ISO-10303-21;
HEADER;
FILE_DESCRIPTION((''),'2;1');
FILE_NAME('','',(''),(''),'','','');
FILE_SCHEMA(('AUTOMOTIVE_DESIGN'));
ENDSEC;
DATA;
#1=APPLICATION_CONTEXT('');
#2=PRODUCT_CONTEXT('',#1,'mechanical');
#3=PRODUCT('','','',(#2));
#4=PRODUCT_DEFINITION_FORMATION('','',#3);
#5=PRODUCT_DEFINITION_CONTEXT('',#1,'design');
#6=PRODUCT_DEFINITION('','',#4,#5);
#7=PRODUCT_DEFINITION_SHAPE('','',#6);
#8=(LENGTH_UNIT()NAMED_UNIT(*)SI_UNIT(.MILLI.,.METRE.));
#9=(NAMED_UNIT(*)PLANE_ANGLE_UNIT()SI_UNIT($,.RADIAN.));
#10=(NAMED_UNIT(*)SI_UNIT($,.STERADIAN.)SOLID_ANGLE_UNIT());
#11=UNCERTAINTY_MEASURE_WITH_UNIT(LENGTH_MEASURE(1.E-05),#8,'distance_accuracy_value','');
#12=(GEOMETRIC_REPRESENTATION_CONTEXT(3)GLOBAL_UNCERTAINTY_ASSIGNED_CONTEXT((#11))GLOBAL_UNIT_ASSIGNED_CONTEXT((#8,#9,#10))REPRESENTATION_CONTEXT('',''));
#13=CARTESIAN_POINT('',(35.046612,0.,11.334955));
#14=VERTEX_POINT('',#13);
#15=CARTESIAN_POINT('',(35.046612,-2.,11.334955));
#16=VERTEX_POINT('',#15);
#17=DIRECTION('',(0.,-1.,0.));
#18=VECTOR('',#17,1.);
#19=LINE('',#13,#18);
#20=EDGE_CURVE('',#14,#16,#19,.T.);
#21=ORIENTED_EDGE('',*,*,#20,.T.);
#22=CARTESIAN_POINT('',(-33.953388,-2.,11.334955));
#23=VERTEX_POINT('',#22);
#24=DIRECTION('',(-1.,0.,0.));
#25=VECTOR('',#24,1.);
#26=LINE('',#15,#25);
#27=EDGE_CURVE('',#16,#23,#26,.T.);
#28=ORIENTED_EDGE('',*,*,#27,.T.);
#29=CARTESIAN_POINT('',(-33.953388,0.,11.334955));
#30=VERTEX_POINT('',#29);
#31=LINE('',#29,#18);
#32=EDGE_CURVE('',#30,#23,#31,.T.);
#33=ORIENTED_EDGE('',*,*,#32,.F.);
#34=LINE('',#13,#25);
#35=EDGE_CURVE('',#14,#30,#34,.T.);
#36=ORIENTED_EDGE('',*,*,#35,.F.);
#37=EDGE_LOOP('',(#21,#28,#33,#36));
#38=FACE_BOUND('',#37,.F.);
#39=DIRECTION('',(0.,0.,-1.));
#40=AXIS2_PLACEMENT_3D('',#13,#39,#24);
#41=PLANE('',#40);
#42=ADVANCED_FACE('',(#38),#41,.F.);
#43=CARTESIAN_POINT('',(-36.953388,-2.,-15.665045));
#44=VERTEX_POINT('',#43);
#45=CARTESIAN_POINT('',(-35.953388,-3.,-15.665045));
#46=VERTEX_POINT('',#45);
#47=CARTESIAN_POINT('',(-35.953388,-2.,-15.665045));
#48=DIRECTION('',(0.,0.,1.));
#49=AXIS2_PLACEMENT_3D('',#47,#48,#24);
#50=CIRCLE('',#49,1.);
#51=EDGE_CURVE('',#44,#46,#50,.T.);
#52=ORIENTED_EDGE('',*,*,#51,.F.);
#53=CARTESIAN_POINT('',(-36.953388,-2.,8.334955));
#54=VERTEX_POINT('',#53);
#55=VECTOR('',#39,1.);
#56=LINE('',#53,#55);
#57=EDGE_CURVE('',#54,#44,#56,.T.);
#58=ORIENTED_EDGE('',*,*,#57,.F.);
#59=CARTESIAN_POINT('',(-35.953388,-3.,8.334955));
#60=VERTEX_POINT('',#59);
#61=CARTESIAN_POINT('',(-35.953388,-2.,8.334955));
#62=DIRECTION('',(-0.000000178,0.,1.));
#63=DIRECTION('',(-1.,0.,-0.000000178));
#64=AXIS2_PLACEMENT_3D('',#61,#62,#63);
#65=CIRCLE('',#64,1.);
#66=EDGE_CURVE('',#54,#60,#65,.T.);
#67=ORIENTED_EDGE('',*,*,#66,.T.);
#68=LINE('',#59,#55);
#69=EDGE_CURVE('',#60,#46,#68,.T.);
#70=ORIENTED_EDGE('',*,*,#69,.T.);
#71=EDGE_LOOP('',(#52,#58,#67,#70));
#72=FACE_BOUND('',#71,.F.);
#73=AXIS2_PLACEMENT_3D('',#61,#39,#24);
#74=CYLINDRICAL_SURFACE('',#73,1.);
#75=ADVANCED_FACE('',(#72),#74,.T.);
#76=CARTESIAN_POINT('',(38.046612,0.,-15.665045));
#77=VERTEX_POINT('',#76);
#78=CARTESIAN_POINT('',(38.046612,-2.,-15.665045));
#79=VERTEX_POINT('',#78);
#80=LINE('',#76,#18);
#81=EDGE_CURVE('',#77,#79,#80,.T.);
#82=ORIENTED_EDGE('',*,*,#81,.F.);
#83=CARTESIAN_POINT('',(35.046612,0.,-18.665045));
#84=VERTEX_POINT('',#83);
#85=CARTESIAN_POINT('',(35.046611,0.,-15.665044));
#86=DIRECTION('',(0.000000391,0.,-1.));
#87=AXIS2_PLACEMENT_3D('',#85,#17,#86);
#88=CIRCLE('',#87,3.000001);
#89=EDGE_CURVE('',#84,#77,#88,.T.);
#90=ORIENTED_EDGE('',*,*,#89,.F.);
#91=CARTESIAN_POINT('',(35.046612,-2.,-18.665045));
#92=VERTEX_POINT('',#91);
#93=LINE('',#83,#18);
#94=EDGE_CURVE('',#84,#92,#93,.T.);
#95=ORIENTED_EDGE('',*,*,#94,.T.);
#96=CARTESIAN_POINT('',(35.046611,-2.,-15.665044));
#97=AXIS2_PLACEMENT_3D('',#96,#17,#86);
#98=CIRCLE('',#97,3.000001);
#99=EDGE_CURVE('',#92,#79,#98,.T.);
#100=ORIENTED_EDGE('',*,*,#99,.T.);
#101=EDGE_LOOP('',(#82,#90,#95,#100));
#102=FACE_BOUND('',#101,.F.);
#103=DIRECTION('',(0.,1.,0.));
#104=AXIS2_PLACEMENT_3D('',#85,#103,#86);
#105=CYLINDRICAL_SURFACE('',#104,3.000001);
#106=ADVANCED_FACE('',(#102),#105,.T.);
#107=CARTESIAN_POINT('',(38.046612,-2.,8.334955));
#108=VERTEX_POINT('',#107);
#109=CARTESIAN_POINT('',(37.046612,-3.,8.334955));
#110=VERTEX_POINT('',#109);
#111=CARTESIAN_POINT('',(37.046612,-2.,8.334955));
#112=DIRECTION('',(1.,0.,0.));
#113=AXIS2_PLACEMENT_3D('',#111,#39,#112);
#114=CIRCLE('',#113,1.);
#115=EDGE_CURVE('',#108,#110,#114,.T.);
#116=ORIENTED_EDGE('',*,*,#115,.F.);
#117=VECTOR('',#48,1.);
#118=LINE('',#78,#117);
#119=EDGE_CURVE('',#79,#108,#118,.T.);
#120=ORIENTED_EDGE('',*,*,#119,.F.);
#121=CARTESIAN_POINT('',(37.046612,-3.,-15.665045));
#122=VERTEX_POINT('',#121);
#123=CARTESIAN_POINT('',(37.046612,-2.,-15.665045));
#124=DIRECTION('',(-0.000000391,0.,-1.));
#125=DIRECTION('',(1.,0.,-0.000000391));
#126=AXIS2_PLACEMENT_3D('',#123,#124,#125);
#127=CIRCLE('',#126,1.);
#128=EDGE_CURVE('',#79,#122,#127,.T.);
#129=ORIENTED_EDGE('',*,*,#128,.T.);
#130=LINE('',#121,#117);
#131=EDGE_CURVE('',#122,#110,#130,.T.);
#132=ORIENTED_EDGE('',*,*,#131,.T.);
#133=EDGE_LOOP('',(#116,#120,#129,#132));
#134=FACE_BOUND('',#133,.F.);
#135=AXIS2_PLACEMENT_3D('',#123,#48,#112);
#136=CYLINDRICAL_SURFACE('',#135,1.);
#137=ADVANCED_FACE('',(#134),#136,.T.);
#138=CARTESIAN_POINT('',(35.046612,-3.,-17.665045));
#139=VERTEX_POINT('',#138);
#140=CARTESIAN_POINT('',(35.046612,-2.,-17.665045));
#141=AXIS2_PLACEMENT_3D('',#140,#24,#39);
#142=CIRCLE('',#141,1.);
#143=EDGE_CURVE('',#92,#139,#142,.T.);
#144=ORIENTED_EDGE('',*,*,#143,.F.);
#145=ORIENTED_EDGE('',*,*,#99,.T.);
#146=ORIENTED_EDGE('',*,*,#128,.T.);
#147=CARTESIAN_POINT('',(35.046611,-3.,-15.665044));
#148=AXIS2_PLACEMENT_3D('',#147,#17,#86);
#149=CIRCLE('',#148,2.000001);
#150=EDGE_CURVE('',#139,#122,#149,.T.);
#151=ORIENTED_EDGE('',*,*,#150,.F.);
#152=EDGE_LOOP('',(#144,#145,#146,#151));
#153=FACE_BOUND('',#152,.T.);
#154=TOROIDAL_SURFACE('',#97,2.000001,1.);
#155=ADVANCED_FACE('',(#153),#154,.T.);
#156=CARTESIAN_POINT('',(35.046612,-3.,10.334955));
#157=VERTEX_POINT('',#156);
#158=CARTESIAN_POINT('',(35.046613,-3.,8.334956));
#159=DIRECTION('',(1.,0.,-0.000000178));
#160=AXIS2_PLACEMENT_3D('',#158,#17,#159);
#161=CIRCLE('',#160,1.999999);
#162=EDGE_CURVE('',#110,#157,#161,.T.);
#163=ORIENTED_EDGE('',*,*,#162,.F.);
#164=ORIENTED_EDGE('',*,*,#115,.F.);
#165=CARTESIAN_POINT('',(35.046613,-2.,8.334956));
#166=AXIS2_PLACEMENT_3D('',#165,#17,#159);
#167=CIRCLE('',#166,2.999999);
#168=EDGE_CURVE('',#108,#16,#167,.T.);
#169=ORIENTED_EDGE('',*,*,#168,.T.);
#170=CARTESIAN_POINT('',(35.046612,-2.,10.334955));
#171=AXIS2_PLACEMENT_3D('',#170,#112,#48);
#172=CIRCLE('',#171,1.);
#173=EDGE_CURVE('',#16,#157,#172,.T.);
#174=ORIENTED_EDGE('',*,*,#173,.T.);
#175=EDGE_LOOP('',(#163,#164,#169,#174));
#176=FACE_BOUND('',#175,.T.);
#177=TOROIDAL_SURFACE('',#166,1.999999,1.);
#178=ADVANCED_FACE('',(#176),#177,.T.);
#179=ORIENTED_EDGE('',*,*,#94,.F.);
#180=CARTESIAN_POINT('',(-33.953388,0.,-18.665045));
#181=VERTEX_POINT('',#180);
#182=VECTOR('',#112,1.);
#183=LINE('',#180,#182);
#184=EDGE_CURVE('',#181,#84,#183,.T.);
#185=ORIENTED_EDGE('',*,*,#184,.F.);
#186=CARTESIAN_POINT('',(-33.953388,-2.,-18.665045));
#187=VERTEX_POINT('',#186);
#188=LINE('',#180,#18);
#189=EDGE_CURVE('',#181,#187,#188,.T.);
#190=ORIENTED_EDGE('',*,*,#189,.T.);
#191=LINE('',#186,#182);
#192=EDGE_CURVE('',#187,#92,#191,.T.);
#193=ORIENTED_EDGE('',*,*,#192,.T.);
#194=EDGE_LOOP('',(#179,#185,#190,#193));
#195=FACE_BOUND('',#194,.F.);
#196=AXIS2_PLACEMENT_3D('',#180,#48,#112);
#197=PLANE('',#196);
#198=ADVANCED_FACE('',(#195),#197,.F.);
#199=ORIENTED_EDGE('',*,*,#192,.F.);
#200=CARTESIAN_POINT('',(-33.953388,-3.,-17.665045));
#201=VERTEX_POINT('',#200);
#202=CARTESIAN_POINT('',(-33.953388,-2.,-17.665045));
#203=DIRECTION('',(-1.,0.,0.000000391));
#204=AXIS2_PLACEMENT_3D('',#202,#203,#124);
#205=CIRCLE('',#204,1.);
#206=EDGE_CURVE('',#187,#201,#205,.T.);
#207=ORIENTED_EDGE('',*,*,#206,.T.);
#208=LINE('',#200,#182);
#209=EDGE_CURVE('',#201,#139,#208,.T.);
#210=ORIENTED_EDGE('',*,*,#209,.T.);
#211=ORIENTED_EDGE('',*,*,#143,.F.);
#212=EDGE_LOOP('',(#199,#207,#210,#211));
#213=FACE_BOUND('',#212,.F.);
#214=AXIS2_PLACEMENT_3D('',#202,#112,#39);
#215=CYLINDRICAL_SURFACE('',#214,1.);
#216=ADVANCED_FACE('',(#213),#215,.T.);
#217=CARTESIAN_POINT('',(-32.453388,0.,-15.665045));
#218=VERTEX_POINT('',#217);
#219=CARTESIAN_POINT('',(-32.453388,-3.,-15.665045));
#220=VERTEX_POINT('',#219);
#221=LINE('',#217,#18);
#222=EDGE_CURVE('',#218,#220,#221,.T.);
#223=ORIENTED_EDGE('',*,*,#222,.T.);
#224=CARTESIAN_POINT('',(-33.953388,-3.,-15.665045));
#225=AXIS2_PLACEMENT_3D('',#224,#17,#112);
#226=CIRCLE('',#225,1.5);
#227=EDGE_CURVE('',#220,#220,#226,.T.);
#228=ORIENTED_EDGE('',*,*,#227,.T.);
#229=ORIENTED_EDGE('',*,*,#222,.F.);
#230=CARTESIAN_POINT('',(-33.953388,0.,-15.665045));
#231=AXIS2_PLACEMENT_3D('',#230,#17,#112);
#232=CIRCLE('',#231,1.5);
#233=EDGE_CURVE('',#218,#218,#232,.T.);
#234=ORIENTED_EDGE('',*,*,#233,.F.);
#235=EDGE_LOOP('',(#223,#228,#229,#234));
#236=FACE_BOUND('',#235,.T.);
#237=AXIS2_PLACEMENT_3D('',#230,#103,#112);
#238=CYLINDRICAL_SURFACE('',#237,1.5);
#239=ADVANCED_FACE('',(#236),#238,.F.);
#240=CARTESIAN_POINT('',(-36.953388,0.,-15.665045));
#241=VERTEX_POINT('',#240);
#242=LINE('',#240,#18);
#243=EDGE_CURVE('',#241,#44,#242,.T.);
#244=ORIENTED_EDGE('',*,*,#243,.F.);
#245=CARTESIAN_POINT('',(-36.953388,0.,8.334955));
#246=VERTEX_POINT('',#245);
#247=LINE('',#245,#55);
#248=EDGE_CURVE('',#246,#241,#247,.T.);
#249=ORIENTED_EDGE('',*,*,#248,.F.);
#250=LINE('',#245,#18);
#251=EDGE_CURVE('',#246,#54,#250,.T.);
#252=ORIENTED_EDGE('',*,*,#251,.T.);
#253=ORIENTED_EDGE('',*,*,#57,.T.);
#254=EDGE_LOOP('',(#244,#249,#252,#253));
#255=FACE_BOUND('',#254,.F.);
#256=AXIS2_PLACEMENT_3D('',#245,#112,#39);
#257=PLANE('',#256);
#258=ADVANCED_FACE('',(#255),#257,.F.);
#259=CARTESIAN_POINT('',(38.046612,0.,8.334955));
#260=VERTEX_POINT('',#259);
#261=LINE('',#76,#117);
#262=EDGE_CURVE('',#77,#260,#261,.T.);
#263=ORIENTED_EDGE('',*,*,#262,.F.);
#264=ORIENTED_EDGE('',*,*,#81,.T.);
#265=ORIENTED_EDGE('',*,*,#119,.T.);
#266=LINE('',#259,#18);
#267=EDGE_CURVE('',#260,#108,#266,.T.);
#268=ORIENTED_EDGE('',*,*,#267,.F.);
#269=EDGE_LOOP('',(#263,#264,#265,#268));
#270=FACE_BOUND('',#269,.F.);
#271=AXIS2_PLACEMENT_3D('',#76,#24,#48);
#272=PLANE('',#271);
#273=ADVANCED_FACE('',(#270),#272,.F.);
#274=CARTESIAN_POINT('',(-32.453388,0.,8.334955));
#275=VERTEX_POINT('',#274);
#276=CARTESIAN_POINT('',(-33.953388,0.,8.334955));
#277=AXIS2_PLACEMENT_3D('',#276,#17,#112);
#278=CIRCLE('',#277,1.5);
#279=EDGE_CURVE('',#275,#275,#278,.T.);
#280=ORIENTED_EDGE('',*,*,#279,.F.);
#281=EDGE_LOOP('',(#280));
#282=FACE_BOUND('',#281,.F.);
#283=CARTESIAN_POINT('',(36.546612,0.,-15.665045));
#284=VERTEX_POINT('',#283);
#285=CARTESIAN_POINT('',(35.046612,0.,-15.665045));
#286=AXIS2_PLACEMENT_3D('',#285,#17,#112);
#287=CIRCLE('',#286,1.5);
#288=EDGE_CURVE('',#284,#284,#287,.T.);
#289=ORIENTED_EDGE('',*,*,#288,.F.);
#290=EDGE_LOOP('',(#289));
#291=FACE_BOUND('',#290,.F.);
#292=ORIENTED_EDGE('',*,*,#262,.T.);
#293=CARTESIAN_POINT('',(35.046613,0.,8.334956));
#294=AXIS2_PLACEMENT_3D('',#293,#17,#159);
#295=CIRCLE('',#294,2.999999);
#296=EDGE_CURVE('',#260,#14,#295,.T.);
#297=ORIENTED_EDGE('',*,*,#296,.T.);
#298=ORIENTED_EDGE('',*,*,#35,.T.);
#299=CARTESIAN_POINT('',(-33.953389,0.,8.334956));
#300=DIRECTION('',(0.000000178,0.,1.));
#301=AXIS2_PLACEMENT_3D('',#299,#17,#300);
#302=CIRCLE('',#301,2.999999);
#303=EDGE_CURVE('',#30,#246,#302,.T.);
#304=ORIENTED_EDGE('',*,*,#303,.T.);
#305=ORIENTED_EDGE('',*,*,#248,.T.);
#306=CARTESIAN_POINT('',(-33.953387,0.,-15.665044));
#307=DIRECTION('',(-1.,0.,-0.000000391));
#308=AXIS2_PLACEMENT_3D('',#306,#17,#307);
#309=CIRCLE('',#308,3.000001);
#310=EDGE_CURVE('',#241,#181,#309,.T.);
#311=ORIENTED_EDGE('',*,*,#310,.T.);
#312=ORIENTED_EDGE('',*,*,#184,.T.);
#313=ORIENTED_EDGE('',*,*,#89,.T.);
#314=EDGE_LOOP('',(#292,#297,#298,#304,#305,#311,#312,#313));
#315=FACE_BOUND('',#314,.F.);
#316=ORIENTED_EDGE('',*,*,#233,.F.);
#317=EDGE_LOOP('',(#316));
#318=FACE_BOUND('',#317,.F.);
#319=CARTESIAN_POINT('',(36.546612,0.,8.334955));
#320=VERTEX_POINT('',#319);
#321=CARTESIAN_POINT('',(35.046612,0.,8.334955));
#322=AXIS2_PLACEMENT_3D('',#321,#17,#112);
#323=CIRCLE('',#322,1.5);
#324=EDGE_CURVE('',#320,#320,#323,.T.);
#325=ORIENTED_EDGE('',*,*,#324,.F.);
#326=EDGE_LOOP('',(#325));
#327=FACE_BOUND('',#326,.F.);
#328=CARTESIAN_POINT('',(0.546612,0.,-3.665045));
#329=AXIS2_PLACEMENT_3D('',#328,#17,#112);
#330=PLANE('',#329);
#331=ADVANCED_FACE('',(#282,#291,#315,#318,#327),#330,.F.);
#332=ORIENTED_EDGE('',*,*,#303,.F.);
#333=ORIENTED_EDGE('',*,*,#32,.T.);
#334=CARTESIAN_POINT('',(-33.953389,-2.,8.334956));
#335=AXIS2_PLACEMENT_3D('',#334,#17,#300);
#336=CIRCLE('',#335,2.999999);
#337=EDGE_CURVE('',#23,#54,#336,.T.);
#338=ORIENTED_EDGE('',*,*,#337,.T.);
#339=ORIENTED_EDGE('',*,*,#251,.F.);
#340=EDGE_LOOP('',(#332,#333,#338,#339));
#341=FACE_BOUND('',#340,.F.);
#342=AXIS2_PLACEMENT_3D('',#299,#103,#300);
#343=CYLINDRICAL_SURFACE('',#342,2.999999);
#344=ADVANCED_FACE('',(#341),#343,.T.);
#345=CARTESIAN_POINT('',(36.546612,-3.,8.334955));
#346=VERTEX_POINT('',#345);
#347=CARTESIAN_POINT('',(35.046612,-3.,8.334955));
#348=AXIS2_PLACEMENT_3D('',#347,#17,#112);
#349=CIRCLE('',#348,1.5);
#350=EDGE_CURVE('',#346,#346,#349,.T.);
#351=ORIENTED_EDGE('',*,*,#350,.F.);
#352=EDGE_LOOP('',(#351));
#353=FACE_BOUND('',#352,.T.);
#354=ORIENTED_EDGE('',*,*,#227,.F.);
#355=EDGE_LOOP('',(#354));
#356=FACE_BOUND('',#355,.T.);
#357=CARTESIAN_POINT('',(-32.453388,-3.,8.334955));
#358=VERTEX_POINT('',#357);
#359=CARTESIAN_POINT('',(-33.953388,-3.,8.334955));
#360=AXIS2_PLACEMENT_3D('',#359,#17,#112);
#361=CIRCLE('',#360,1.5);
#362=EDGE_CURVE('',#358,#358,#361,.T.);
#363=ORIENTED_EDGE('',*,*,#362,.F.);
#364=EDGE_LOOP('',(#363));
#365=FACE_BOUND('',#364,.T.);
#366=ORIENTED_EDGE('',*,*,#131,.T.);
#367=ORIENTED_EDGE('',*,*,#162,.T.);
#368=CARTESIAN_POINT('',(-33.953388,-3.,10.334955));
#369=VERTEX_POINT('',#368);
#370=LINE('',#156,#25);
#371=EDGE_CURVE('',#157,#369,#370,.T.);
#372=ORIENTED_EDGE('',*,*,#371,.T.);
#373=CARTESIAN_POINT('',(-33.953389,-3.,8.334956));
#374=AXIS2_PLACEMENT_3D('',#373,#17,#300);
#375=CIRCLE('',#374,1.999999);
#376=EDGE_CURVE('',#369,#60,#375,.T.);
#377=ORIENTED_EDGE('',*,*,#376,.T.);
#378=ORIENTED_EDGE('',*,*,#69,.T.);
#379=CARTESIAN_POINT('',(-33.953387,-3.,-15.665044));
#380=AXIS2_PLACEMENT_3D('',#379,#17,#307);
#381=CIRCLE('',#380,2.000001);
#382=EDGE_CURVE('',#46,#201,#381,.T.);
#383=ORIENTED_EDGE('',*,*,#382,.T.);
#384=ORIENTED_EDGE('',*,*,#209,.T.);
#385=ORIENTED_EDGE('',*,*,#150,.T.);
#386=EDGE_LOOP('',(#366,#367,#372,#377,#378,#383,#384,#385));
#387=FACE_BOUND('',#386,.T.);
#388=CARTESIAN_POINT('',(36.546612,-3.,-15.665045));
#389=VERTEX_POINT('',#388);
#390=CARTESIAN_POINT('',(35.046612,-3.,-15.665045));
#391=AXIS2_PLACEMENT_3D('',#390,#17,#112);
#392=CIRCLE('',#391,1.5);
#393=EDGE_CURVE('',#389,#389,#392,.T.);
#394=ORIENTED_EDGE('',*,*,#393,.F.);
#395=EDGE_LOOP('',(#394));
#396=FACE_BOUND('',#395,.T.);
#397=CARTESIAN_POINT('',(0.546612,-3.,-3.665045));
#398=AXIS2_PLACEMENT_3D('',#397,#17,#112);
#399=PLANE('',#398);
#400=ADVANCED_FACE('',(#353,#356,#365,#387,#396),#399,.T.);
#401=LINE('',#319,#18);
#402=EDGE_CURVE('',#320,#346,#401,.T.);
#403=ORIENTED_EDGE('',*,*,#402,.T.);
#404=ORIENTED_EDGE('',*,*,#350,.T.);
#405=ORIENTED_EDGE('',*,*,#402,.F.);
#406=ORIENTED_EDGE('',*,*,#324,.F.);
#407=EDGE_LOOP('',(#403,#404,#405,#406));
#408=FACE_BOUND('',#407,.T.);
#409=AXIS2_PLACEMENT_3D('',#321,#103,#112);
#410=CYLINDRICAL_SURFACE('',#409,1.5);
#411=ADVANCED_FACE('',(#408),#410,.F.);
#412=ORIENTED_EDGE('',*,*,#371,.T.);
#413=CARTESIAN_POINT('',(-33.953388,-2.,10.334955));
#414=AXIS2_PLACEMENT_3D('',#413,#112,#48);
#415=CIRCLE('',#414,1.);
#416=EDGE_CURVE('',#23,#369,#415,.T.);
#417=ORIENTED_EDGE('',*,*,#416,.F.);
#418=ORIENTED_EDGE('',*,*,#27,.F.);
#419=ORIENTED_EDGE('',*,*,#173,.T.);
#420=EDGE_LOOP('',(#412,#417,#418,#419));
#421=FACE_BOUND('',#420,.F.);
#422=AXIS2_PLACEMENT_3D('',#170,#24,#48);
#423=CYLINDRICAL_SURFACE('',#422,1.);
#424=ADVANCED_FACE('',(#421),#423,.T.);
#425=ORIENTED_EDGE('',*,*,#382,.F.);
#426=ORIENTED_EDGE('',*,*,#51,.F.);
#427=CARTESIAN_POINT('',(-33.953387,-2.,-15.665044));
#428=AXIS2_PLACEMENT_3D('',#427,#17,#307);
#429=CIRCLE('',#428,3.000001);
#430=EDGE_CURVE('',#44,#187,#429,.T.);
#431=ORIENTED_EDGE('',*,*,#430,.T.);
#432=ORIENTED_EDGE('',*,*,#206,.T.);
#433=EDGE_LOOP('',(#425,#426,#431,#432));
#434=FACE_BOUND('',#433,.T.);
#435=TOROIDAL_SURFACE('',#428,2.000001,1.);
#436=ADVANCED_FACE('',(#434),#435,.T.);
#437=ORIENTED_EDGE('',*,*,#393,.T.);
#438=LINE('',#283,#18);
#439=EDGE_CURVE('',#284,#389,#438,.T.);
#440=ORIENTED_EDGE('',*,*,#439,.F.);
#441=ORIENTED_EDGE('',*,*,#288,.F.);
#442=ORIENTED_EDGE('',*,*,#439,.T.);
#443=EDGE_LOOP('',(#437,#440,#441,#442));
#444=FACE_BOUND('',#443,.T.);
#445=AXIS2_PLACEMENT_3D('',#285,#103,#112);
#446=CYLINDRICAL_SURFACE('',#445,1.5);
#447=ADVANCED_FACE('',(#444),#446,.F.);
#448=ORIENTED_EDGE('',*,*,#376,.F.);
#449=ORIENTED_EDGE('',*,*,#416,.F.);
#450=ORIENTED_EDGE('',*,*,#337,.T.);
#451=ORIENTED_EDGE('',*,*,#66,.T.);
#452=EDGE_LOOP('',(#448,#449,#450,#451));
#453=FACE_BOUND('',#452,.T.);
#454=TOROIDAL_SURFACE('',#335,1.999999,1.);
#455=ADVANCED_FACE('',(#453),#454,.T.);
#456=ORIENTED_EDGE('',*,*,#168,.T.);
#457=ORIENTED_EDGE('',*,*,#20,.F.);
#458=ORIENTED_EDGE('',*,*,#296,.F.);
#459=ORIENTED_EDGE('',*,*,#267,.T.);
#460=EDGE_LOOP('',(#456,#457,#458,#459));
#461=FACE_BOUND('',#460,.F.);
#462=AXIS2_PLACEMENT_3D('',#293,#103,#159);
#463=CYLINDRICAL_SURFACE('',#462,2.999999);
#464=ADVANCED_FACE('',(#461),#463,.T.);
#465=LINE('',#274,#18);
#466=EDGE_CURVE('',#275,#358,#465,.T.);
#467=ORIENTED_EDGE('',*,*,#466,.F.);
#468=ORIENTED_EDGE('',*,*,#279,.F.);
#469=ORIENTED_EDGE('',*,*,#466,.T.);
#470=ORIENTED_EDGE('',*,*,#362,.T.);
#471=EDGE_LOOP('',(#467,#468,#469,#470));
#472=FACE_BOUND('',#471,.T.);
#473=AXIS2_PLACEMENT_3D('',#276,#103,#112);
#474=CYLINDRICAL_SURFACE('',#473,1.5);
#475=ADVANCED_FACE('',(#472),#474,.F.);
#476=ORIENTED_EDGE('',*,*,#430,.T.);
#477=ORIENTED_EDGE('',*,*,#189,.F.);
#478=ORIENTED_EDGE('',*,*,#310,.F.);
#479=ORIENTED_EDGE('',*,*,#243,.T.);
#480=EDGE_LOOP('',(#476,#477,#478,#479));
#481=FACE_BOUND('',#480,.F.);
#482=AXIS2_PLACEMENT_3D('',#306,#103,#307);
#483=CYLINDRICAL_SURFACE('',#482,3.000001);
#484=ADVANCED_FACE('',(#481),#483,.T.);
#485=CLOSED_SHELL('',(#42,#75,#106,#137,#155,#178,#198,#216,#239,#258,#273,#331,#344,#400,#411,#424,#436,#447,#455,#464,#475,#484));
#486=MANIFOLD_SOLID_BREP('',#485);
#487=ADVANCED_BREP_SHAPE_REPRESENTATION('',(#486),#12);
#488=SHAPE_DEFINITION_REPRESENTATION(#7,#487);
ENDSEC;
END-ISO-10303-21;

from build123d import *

# Parameters (mm, degrees)
F0_R     = 1.5
F1_DEPTH = 3
F2_R     = 1


with BuildPart() as f1:
    # F0 (on Front) → F1 (new body)
    with BuildSketch(Plane.XZ):
        with BuildLine():
            Line((35.046612, 11.334955), (-33.953388, 11.334955))
            ThreePointArc((-33.953388, 11.334955), (-36.074708, 10.456276), (-36.953388, 8.334955))
            Line((-36.953388, 8.334955), (-36.953388, -15.665045))
            ThreePointArc((-36.953388, -15.665045), (-36.074708, -17.786365), (-33.953388, -18.665045))
            Line((-33.953388, -18.665045), (35.046612, -18.665045))
            ThreePointArc((35.046612, -18.665045), (37.167932, -17.786365), (38.046612, -15.665045))
            Line((38.046612, -15.665045), (38.046612, 8.334955))
            ThreePointArc((38.046612, 8.334955), (37.167932, 10.456276), (35.046612, 11.334955))
        make_face()
        with Locations((-33.953388, -15.665045)):
            Circle(F0_R, mode=Mode.SUBTRACT)
        with Locations((35.046612, -15.665045)):
            Circle(F0_R, mode=Mode.SUBTRACT)
        with Locations((-33.953388, 8.334955)):
            Circle(F0_R, mode=Mode.SUBTRACT)
        with Locations((35.046612, 8.334955)):
            Circle(F0_R, mode=Mode.SUBTRACT)
    extrude(amount=F1_DEPTH)

    # F2
    f2_edges = [f1.edges().sort_by_distance(p)[0] for p in [
        (0.546612, -3, 11.334955),
        (-36.074708, -3, 10.456276),
        (-36.953388, -3, -3.665045),
        (-36.074708, -3, -17.786365),
        (0.546612, -3, -18.665045),
        (37.167932, -3, 10.456276),
        (38.046612, -3, -3.665045),
        (37.167932, -3, -17.786365),
    ]]
    fillet(f2_edges, radius=F2_R)


solid = f1.part
